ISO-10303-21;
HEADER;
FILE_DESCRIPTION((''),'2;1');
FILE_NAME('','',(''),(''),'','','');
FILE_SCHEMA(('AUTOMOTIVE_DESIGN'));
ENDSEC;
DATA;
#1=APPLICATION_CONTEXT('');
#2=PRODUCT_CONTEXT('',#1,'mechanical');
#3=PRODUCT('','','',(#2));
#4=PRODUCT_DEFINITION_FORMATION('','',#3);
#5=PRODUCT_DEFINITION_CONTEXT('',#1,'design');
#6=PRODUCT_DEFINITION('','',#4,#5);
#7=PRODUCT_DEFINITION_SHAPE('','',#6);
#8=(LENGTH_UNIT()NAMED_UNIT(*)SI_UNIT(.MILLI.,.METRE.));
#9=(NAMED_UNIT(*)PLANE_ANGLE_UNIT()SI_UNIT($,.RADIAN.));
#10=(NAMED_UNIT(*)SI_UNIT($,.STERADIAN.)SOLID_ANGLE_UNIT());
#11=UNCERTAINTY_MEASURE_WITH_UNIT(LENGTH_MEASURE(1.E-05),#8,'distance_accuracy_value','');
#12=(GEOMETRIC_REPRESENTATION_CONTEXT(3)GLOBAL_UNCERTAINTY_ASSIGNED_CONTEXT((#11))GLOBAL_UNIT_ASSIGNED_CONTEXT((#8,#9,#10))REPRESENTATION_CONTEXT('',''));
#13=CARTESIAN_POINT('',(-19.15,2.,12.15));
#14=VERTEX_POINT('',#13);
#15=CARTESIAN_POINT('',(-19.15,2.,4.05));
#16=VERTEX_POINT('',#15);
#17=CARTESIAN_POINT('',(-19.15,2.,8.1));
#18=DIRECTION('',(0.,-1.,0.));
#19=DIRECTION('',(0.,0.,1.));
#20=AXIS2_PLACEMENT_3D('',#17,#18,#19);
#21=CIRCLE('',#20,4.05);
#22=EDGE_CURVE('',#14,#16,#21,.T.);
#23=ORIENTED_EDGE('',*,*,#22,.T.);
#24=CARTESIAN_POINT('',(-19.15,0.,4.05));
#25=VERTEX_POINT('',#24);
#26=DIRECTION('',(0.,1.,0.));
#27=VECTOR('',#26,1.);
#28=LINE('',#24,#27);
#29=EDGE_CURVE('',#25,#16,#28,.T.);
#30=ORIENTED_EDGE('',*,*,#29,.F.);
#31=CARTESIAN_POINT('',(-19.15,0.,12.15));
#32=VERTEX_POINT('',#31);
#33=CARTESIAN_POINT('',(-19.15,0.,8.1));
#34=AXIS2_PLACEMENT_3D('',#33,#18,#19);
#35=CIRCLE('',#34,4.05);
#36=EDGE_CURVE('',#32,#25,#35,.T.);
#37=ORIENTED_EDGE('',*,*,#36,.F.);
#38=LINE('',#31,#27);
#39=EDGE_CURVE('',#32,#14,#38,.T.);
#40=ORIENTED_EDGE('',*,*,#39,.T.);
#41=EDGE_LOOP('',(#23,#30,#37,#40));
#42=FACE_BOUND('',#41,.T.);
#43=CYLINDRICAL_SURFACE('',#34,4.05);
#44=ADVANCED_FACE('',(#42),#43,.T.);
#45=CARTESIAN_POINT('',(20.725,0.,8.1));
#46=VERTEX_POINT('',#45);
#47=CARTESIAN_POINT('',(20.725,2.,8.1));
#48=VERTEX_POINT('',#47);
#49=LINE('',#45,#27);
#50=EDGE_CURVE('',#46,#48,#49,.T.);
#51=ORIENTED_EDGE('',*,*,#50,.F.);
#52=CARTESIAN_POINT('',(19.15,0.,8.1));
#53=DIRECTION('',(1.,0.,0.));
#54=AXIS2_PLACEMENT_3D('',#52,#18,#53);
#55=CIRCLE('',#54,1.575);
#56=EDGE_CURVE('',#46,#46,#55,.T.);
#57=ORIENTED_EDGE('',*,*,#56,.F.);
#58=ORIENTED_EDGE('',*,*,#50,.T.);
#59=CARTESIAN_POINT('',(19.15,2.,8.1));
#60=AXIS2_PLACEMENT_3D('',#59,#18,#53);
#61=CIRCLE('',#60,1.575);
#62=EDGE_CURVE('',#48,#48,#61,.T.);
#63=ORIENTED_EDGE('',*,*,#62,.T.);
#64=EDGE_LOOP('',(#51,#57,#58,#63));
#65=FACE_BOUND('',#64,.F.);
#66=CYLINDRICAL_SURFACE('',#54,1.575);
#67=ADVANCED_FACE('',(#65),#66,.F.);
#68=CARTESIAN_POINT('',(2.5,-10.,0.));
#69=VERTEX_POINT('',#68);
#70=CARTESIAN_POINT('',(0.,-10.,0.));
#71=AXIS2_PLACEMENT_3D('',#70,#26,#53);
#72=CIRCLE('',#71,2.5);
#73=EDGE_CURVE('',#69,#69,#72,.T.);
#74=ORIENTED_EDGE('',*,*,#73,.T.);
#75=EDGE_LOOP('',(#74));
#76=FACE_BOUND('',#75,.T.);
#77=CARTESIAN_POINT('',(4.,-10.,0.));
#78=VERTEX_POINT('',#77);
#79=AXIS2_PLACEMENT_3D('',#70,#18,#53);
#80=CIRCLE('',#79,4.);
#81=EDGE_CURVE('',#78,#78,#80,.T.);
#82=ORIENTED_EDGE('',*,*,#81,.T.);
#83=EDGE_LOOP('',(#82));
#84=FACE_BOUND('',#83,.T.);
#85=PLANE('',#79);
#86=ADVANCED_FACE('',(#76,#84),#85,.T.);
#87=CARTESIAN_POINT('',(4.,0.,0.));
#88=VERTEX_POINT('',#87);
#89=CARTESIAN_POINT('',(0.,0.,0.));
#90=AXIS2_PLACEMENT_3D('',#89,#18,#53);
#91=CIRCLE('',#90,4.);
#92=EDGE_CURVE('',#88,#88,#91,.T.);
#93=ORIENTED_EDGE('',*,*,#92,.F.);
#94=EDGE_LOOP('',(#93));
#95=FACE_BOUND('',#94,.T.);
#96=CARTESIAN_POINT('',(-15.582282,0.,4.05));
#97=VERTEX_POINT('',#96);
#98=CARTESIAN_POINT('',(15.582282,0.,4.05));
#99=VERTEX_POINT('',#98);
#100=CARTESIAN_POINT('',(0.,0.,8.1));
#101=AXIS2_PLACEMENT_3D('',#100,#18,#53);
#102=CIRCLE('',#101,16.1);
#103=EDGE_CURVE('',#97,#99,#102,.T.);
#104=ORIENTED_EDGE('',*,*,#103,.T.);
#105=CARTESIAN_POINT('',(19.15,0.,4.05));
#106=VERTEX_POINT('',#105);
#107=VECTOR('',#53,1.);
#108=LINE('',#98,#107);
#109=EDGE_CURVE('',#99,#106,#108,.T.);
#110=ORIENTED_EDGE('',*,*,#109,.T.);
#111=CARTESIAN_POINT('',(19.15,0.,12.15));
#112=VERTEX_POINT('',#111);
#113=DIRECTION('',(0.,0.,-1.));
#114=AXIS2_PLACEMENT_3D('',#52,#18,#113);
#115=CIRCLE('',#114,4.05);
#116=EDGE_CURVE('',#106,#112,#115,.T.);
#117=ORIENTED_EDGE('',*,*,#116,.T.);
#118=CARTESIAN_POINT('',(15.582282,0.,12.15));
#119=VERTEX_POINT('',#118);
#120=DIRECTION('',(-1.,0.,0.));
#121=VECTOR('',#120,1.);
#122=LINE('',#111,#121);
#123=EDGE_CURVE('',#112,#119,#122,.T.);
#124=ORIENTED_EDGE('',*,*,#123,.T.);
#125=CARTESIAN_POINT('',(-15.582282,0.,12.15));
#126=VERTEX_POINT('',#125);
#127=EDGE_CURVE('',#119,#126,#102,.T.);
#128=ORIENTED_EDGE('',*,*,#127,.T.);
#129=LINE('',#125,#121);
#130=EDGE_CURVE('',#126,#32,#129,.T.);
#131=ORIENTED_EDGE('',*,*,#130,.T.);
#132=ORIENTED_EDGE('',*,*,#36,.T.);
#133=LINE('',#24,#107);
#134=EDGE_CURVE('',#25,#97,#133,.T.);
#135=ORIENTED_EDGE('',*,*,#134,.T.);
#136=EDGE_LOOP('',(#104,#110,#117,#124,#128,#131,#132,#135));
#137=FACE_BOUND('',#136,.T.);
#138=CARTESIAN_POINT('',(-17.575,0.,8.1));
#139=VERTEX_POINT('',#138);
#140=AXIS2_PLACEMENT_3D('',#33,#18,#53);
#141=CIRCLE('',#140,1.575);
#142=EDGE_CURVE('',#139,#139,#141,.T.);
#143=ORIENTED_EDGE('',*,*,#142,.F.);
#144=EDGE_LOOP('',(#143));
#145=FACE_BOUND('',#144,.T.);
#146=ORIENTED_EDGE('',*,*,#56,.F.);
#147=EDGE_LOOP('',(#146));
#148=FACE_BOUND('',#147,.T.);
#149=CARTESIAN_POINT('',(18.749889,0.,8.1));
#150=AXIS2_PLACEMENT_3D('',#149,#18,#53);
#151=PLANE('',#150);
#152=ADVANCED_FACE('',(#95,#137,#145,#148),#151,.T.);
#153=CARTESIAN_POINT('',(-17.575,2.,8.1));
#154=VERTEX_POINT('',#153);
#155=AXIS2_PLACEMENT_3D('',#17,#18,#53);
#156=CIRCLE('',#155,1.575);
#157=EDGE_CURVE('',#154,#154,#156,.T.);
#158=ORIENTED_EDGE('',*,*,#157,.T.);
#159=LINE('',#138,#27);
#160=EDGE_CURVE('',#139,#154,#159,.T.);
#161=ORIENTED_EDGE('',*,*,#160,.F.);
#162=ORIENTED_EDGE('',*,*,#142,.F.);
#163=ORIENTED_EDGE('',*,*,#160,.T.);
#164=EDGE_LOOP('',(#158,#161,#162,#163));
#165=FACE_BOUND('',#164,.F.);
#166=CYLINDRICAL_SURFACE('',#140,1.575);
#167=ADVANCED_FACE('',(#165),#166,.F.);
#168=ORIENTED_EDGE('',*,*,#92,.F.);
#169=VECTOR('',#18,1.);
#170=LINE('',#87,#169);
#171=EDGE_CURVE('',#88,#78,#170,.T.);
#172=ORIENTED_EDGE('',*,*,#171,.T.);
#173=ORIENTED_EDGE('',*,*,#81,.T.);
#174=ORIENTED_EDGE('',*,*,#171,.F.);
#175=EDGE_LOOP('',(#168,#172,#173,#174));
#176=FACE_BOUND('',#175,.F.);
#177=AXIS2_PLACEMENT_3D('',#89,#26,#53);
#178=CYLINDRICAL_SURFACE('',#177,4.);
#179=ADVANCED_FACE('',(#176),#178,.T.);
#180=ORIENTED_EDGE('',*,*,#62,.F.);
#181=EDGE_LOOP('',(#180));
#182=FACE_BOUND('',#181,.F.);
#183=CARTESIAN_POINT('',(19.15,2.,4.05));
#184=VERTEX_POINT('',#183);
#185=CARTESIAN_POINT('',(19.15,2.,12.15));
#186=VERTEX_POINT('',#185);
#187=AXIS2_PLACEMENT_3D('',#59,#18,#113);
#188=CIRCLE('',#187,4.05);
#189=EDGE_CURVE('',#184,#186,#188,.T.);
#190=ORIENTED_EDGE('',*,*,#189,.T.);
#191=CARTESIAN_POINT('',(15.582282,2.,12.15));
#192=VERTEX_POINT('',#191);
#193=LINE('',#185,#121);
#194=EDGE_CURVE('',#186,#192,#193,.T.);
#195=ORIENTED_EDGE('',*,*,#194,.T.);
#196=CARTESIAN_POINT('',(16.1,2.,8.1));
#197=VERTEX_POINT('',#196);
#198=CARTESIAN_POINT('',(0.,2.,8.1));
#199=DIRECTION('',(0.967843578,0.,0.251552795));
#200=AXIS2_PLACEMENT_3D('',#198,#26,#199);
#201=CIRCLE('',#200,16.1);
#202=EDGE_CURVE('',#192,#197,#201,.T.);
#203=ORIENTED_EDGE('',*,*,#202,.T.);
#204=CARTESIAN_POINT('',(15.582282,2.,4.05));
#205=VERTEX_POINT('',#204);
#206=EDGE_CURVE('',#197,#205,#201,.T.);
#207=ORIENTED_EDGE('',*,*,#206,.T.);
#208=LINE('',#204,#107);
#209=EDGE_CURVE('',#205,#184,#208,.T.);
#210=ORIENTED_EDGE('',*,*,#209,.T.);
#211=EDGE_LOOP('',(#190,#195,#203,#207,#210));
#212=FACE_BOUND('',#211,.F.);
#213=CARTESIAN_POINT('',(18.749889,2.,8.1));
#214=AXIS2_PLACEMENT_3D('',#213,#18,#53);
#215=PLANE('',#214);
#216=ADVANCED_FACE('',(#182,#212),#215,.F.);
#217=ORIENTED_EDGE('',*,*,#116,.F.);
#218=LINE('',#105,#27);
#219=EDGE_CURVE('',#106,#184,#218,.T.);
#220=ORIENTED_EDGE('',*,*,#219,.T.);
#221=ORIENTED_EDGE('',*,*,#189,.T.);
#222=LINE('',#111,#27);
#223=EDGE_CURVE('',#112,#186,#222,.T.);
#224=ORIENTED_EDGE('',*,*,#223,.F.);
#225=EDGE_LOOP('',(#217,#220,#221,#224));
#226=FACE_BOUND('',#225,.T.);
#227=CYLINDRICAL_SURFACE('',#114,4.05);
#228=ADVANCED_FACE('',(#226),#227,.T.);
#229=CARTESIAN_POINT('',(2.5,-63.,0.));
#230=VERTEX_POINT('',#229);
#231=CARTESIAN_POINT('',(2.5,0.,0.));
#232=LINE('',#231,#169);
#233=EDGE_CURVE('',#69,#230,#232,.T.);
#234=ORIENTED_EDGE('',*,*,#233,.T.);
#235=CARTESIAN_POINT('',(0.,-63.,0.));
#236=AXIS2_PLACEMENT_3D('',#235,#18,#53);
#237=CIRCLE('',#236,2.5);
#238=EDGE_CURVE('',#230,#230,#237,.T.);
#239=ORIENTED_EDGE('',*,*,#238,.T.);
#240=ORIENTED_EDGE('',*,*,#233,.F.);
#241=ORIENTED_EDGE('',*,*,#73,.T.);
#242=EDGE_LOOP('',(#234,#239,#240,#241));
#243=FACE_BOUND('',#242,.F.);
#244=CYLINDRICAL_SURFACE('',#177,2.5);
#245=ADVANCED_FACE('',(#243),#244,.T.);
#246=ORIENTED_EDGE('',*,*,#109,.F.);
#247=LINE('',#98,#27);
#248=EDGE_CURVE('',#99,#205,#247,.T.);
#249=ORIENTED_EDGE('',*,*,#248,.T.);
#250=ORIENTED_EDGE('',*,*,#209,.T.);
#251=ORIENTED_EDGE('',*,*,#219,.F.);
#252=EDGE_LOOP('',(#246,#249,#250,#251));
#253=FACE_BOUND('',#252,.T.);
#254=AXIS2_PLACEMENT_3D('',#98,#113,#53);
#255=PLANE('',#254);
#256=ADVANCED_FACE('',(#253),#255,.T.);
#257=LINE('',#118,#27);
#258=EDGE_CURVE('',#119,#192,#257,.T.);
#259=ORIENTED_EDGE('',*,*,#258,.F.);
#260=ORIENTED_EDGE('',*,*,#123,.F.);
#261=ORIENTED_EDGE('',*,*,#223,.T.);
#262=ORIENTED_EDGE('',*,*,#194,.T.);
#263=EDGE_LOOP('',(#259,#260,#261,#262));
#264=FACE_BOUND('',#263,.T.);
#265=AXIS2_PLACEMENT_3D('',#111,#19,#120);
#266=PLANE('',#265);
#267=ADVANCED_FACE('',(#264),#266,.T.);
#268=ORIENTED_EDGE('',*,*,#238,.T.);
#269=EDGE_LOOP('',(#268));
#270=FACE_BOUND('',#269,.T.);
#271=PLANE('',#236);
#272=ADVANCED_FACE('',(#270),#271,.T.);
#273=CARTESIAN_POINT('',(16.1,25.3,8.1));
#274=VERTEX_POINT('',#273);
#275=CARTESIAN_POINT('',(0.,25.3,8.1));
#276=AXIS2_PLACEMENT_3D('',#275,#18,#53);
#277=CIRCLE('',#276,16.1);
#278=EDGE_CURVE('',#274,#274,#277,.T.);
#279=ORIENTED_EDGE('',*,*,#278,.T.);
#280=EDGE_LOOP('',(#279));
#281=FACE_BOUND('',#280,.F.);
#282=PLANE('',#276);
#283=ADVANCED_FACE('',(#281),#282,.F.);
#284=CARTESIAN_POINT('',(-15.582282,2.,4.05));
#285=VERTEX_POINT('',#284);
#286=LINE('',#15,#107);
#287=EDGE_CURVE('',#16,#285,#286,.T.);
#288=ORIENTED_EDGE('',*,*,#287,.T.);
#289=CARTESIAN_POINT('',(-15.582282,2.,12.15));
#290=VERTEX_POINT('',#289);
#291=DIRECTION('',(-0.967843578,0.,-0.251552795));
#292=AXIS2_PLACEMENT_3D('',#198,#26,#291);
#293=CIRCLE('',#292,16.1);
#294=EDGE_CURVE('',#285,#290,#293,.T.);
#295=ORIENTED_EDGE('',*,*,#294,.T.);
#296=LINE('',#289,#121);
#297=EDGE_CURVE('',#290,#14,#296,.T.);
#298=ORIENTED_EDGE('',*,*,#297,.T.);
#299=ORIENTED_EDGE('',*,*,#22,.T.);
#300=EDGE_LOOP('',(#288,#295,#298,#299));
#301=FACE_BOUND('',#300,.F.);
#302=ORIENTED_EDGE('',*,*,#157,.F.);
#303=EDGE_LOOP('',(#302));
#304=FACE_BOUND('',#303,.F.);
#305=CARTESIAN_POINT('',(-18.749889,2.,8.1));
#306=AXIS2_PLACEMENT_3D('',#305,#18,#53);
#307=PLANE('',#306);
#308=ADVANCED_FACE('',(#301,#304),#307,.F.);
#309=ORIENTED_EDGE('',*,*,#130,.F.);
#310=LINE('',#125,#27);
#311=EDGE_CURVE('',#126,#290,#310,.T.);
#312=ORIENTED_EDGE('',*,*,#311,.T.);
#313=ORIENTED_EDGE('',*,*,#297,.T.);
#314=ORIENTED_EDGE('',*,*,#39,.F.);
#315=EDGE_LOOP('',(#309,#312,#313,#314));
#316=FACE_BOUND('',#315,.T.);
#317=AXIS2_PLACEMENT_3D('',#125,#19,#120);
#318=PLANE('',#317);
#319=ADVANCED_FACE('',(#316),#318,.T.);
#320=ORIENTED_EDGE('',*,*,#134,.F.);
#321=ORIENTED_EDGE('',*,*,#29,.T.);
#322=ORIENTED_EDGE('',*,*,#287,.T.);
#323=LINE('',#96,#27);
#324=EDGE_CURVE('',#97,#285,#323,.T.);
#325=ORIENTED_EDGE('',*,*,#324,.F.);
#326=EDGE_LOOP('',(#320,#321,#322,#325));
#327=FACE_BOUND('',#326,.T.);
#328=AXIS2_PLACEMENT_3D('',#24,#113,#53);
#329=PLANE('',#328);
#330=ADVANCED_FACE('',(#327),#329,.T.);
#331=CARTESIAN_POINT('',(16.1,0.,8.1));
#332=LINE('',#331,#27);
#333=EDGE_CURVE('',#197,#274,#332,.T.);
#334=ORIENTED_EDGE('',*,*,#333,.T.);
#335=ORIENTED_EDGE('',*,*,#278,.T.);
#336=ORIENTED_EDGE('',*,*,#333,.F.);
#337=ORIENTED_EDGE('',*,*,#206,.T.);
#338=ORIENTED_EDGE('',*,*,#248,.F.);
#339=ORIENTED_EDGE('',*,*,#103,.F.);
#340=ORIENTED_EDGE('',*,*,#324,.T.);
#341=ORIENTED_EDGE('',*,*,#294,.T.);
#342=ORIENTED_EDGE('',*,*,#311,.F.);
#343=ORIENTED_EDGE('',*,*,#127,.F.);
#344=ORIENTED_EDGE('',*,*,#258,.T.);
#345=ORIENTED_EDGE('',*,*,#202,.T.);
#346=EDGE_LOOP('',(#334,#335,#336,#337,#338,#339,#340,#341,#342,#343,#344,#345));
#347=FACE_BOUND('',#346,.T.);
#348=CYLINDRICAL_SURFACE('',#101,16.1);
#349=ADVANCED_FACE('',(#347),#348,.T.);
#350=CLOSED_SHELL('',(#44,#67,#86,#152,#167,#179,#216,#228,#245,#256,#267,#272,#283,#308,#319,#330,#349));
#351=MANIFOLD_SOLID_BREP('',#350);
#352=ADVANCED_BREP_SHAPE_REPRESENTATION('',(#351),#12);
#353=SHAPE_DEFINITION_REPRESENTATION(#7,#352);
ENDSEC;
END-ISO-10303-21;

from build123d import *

# Parameters (mm, degrees)
F1_R     = 16.1
F2_DEPTH = 25.3
F3_R     = 1.575
F4_DEPTH = 2
F5_R     = 2.5
F6_DEPTH = 63
F7_R     = 4
F8_DEPTH = 10


with BuildPart() as f2:
    # F1 (on Front) → F2 (new body)
    with BuildSketch(Plane.XZ):
        with Locations((0, 8.1)):
            Circle(F1_R)
    extrude(amount=-F2_DEPTH)

    # F3 (on Front) → F4 (join)
    with BuildSketch(Plane.XZ):
        with BuildLine():
            ThreePointArc((-19.15, 12.15), (-23.2, 8.1), (-19.15, 4.05))
            Line((-19.15, 4.05), (-15.5822816044, 4.05))
            ThreePointArc((-15.5822816044, 4.05), (-16.1, 8.1), (-15.5822816044, 12.15))
            Line((-15.5822816044, 12.15), (-19.15, 12.15))
        make_face()
        with Locations((-19.15, 8.1)):
            Circle(F3_R, mode=Mode.SUBTRACT)
        with BuildLine():
            Line((19.15, 12.15), (15.5822816044, 12.15))
            ThreePointArc((15.5822816044, 12.15), (16.1, 8.1), (15.5822816044, 4.05))
            Line((15.5822816044, 4.05), (19.15, 4.05))
            ThreePointArc((19.15, 4.05), (23.2, 8.1), (19.15, 12.15))
        make_face()
        with Locations((19.15, 8.1)):
            Circle(F3_R, mode=Mode.SUBTRACT)
    extrude(amount=-F4_DEPTH)

    # F5 (on Front) → F6 (join)
    with BuildSketch(Plane.XZ):
        Circle(F5_R)
    extrude(amount=F6_DEPTH)

    # F7 (on face) → F8 (join)
    with BuildSketch(Plane.XZ):
        Circle(F7_R)
    extrude(amount=F8_DEPTH)


solid = f2.part
